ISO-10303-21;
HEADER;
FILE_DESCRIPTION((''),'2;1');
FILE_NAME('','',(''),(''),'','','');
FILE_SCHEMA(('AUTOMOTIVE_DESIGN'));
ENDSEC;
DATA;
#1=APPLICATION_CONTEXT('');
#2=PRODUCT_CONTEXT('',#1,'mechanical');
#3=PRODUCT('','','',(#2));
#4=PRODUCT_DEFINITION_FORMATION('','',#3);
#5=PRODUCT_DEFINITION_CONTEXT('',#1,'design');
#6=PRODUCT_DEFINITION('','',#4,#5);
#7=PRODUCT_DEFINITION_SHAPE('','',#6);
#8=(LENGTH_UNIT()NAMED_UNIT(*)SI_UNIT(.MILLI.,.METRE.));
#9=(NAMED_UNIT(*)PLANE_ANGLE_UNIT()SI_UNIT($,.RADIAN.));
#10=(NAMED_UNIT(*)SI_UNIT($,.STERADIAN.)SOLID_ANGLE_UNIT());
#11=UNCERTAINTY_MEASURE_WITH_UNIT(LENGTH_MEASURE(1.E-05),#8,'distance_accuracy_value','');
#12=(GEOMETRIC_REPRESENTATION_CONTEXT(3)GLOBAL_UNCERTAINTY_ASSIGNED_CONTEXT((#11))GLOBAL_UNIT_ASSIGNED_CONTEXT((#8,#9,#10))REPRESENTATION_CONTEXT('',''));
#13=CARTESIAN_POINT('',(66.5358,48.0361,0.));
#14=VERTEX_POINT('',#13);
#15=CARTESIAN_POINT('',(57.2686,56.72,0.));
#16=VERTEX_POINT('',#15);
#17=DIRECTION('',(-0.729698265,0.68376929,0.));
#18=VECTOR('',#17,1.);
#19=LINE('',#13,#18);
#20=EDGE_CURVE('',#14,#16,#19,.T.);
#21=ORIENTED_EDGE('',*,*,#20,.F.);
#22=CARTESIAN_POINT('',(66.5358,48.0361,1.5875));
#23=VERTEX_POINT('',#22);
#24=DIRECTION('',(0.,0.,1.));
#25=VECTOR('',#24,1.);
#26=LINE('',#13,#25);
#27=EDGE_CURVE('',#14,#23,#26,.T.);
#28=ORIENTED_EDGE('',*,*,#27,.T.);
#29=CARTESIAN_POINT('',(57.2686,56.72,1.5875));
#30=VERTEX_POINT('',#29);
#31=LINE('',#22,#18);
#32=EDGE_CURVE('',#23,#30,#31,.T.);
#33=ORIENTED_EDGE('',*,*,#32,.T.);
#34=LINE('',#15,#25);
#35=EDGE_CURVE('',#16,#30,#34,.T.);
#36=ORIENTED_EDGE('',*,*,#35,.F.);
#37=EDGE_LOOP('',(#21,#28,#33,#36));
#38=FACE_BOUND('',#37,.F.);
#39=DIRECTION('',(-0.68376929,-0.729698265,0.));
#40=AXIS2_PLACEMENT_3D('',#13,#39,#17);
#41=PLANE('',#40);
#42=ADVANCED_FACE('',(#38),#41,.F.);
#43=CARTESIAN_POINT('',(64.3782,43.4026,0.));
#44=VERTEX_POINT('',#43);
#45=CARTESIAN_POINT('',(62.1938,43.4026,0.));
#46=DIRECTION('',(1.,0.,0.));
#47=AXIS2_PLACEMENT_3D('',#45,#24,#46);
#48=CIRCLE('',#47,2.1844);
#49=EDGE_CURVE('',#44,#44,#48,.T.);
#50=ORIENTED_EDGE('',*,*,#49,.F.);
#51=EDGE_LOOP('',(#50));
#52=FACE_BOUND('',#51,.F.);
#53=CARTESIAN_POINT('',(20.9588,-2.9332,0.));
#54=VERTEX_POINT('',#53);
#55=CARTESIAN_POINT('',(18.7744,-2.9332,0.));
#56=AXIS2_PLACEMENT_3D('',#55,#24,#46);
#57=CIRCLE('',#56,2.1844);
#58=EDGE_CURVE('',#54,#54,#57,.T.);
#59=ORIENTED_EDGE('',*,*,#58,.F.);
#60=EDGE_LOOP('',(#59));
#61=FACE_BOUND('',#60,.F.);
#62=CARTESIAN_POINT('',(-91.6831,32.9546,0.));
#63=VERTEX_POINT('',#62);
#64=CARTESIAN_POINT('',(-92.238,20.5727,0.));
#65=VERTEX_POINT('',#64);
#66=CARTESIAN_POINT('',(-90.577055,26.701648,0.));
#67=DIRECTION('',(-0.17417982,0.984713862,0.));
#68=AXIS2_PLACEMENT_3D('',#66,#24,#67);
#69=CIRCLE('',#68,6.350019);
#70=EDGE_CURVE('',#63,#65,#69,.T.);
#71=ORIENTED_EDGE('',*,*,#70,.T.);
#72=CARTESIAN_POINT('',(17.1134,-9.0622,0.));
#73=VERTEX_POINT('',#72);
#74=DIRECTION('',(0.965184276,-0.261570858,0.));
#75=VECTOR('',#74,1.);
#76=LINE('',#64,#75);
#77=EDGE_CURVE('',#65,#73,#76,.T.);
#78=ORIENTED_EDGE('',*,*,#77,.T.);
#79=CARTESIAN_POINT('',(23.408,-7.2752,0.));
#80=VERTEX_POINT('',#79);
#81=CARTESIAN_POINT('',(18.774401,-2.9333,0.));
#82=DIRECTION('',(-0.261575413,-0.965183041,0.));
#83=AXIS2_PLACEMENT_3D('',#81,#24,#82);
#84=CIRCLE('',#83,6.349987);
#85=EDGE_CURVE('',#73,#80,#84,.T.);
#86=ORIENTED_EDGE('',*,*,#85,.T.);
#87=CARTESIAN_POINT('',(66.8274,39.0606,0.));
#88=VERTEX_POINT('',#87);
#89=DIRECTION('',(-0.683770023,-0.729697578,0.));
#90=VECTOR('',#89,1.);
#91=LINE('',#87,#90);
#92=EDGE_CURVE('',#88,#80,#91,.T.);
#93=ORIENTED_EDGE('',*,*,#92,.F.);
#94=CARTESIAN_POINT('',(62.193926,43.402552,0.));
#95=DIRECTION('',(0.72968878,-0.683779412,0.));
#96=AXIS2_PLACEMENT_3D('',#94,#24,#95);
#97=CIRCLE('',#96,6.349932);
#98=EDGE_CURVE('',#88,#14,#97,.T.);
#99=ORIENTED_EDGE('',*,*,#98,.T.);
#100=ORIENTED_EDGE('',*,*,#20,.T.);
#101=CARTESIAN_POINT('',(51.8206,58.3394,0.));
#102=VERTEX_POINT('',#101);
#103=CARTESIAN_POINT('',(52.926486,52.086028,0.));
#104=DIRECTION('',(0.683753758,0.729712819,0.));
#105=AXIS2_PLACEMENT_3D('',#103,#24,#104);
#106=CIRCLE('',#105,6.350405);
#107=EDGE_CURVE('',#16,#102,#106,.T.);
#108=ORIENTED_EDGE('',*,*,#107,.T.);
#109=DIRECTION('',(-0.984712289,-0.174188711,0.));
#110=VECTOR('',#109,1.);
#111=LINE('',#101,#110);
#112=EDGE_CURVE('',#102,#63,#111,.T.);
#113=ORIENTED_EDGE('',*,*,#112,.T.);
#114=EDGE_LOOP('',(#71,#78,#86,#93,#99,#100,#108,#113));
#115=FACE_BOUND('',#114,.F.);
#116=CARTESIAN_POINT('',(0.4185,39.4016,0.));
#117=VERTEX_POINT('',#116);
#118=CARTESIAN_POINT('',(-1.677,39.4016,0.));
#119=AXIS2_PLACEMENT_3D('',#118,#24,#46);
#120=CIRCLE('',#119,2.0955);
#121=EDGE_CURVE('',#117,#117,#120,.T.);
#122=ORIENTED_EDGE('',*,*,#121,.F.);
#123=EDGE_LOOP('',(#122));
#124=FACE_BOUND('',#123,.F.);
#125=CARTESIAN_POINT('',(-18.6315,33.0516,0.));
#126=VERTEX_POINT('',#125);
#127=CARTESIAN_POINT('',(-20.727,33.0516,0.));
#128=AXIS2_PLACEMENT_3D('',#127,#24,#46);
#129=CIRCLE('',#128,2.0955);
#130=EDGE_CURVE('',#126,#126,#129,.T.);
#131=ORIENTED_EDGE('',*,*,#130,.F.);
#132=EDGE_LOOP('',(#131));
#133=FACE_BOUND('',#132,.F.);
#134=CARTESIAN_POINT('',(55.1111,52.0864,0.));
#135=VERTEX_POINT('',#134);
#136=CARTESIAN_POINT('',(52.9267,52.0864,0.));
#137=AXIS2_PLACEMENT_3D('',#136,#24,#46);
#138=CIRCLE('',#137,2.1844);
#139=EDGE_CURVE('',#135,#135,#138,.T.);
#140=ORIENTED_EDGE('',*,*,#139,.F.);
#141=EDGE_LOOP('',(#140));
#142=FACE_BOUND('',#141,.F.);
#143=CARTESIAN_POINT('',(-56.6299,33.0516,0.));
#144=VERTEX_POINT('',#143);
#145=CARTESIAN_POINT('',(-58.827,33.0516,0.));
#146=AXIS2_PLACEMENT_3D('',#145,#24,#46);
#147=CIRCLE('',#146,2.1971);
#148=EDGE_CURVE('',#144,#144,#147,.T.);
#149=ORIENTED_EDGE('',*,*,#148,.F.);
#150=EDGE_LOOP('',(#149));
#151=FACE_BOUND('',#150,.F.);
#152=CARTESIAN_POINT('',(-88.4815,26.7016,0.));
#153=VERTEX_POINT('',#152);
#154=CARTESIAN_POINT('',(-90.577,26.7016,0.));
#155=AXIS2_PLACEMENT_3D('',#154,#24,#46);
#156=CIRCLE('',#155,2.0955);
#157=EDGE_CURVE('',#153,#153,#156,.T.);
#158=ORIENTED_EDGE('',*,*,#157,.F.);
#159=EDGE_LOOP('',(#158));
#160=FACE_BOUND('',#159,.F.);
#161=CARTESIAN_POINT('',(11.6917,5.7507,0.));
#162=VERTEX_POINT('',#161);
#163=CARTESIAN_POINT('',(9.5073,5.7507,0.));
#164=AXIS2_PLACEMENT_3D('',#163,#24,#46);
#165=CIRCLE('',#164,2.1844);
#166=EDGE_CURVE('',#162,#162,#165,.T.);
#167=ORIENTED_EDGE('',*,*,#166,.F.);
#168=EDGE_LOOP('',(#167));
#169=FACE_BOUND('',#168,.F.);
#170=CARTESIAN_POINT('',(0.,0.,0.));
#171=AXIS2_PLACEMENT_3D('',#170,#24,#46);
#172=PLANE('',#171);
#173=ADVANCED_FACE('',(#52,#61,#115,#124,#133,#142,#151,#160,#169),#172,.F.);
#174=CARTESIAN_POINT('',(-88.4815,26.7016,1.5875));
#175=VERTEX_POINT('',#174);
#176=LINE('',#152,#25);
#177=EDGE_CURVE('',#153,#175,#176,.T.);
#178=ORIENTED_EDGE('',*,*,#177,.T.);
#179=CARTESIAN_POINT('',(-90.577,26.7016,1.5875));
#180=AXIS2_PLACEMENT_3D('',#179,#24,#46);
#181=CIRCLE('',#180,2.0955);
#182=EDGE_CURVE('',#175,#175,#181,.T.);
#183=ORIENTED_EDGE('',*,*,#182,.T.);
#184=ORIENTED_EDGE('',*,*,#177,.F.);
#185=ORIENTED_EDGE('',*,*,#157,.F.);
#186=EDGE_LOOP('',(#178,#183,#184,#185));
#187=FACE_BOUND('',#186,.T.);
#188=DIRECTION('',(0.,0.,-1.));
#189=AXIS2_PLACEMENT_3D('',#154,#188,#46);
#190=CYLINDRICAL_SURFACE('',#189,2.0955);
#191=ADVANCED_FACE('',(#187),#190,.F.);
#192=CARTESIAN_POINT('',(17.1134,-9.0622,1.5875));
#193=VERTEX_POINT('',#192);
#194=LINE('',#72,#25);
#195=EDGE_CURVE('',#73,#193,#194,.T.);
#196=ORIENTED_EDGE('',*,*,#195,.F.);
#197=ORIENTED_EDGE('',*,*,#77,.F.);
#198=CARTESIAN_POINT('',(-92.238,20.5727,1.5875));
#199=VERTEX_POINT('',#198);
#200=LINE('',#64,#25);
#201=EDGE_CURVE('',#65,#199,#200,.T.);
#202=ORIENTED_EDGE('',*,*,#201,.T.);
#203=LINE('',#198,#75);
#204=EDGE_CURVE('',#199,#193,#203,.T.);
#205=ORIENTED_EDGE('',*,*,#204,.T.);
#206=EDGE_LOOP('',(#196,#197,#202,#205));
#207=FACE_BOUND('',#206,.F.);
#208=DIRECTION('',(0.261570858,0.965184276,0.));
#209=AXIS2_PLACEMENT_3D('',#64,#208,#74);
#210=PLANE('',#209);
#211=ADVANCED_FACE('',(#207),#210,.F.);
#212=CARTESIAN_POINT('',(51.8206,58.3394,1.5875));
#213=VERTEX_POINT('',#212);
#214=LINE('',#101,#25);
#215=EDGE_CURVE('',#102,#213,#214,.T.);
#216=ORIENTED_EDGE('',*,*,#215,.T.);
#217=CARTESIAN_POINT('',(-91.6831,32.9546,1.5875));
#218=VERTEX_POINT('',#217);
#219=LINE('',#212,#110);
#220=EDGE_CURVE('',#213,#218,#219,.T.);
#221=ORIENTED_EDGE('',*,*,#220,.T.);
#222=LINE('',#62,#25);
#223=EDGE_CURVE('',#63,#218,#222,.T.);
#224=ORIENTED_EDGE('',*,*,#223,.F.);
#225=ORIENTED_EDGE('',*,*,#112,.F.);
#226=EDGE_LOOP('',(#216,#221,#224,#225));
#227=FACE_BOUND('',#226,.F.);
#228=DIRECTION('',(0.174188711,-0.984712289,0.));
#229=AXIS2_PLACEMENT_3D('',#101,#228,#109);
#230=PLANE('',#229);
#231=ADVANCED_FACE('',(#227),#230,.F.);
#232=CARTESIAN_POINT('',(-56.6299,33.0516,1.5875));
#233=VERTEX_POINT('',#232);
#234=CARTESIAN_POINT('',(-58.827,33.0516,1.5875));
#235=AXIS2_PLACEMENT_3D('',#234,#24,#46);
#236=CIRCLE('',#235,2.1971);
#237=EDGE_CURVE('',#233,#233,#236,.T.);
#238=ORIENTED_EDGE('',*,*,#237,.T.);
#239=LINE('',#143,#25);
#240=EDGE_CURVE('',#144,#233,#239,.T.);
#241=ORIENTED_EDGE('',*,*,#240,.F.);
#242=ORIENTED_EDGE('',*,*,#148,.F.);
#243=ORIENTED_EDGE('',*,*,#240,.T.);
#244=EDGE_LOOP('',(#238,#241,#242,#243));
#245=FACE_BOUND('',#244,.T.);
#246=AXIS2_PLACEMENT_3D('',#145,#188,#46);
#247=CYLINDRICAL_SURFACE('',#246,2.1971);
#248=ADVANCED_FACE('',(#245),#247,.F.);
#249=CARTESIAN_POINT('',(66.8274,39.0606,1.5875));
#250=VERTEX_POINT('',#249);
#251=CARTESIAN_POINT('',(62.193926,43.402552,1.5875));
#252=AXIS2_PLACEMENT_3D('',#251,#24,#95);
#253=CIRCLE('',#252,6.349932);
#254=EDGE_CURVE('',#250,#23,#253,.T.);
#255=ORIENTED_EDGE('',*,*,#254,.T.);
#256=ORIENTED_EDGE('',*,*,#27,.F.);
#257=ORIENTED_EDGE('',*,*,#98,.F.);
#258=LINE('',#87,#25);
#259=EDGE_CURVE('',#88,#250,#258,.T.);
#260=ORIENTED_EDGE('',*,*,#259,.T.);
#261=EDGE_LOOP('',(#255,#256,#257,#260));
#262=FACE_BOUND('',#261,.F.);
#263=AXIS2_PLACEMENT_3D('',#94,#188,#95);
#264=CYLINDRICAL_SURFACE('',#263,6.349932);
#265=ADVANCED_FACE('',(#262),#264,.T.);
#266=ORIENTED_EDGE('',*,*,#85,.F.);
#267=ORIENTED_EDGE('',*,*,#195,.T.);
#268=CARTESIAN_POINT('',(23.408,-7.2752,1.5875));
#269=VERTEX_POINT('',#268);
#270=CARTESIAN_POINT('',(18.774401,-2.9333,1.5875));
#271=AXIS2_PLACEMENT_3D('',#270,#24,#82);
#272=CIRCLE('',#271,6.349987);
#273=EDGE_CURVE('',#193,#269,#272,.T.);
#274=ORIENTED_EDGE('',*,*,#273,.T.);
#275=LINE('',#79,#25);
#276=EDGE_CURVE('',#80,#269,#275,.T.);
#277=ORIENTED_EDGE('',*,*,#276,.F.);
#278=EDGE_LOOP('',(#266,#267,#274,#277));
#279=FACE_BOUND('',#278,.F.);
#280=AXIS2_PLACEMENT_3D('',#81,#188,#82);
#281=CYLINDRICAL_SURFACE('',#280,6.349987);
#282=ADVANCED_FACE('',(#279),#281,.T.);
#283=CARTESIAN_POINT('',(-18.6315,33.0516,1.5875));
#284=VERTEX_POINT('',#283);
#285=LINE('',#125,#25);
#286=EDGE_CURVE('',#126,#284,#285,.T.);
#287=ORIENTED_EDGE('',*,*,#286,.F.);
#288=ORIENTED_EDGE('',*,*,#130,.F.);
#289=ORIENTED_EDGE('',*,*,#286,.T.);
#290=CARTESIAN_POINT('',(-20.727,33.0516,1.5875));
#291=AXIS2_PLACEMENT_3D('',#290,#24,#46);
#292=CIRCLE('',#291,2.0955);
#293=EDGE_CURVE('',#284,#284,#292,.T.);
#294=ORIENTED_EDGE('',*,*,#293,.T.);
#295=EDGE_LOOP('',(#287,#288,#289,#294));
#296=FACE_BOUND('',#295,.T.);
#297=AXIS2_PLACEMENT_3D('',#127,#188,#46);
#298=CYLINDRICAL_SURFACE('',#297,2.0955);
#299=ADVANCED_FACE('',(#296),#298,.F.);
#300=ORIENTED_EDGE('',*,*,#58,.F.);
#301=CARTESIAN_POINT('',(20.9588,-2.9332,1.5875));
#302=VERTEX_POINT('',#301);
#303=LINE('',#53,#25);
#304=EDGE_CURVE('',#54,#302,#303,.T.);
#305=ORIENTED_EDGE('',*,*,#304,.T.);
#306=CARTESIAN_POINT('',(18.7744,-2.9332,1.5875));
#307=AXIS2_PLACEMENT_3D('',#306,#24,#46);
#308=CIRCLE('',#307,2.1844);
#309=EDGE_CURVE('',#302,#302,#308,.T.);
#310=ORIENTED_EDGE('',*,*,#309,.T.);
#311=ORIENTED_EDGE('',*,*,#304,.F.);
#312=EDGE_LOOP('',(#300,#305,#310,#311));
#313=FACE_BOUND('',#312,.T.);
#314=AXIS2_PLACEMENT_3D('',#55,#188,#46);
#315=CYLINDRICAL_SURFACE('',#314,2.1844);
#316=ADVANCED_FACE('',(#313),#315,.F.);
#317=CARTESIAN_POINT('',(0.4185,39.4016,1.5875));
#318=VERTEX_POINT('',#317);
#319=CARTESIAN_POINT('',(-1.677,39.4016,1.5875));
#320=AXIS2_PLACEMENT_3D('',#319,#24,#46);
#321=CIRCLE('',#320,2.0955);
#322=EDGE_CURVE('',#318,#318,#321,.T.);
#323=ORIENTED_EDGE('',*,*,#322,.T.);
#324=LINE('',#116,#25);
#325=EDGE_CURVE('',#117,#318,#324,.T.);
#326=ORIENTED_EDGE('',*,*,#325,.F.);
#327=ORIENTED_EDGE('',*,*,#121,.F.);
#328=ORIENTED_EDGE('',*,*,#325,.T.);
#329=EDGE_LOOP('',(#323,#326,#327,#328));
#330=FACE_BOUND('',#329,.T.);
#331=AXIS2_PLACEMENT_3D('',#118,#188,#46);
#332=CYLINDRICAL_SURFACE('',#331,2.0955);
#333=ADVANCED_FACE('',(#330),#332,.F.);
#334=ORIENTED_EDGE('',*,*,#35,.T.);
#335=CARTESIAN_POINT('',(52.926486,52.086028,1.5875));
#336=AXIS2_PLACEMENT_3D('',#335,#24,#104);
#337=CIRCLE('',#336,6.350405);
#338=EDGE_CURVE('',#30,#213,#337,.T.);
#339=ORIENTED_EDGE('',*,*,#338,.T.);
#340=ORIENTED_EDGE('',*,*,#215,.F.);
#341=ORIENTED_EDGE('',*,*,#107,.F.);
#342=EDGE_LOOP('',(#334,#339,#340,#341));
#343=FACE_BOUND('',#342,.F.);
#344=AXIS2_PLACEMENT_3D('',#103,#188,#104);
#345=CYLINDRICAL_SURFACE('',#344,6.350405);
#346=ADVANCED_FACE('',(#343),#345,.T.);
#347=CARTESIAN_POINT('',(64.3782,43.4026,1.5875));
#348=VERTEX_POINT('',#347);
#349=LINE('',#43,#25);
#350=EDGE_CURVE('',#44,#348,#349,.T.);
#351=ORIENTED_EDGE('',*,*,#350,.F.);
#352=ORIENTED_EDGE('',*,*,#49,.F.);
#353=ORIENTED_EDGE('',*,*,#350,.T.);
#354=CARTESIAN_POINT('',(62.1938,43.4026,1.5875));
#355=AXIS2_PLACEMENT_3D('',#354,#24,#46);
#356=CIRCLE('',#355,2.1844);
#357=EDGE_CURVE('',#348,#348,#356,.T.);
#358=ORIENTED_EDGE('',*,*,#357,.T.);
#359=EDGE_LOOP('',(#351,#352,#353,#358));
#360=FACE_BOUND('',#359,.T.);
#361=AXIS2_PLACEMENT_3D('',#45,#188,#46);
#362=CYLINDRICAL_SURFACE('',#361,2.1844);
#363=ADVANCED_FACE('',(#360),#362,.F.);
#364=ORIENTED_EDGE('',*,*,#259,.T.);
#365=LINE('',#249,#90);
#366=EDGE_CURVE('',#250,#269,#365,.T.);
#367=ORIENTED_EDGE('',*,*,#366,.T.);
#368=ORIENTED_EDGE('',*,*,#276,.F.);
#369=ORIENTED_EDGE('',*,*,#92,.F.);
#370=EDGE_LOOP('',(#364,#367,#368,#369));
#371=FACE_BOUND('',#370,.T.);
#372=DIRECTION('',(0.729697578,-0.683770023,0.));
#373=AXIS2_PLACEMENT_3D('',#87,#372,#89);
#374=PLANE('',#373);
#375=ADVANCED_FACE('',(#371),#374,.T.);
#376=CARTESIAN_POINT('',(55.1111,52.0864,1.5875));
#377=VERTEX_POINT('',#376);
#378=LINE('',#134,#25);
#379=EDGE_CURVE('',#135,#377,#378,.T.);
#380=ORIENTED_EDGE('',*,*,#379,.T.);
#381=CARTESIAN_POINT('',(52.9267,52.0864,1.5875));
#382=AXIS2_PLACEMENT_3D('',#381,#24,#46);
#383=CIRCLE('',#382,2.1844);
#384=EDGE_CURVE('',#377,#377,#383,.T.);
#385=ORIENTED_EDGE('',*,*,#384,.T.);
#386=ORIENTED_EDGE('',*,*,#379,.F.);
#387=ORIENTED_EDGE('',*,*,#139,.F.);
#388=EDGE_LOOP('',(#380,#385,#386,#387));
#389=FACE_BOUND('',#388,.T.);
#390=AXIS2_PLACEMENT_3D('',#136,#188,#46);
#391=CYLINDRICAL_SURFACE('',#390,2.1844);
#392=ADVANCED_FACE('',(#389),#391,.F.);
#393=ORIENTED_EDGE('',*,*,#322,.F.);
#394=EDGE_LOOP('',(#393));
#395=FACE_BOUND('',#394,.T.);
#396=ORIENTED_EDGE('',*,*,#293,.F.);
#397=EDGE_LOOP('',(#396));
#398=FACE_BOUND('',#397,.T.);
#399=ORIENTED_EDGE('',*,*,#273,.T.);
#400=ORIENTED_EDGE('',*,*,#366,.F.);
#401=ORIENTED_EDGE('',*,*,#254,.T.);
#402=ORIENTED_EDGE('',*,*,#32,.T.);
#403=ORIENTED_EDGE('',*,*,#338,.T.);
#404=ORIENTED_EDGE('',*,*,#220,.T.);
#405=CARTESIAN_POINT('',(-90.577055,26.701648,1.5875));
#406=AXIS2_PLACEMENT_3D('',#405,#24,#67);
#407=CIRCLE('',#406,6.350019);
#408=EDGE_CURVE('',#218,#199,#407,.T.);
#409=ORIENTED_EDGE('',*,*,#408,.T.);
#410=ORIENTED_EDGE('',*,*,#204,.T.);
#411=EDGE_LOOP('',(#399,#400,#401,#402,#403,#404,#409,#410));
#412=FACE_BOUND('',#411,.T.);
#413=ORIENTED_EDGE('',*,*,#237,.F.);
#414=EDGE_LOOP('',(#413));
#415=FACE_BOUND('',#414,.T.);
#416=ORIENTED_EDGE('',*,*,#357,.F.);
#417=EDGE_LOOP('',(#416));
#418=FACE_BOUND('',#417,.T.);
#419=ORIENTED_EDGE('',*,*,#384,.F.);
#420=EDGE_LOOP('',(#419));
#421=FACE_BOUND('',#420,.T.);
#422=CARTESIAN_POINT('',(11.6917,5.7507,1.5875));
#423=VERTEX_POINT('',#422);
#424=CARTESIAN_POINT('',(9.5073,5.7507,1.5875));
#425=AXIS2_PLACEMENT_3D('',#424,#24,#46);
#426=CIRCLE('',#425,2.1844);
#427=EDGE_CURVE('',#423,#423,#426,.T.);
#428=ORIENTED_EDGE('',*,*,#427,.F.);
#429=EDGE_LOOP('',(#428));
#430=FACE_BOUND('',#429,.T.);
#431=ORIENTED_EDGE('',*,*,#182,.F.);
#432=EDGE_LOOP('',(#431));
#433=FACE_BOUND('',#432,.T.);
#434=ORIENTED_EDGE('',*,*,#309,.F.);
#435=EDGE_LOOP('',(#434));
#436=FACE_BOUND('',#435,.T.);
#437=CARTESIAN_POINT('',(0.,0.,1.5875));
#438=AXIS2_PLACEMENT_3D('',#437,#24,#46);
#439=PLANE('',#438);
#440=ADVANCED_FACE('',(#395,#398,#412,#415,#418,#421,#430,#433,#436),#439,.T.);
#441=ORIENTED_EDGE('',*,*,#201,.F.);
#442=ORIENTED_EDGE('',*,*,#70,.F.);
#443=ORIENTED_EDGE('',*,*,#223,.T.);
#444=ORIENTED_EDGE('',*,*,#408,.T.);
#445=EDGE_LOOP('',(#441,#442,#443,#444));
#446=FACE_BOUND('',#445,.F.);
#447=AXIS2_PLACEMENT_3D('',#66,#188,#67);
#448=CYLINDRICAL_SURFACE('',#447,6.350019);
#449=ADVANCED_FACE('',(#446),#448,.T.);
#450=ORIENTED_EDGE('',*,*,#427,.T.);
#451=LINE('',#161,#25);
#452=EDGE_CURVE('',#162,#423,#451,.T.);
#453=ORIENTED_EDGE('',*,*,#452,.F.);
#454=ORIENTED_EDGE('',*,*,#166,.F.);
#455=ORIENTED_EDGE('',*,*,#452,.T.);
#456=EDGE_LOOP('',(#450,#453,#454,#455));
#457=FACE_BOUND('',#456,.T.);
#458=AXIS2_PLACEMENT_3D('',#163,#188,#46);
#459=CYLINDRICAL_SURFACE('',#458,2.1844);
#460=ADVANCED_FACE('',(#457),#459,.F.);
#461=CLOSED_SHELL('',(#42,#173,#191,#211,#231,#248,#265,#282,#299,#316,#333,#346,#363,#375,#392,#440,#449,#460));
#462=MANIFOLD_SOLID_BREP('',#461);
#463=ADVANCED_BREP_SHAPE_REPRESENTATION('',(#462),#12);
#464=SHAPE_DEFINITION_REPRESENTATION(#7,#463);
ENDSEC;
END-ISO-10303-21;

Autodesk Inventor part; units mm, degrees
ref_plane "YZ Plane" through (0, 0, 0) normal (1, 0, 0) x (0, 1, 0)
ref_plane "XZ Plane" through (0, 0, 0) normal (0, 1, 0) x (-1, 0, 0)
ref_plane "XY Plane" through (0, 0, 0) normal (0, 0, 1) x (1, 0, 0)
sketch "Sketch2" plane through (0, 0, 0) normal (0, 0, 1) x (1, 0, 0)
  circle A0 centre (-58.827, 33.0516) radius 2.1971
  circle A1 centre (-20.727, 33.0516) radius 2.0955
  circle A2 centre (62.1938, 43.4026) radius 2.1844
  circle A3 centre (52.9267, 52.0864) radius 2.1844
  circle A4 centre (18.7744, -2.9332) radius 2.1844
  circle A5 centre (9.5073, 5.7507) radius 2.1844
  circle A6 centre (-90.577, 26.7016) radius 2.0955
  circle A7 centre (-1.677, 39.4016) radius 2.0955
  arc A8 (-91.6831, 32.9546) -> (-92.238, 20.5727) centre (-90.577, 26.7016) ccw
  arc A9 (57.2686, 56.72) -> (51.8206, 58.3394) centre (52.9267, 52.0864) ccw
  arc A10 (66.8274, 39.0606) -> (66.5358, 48.0361) centre (62.1938, 43.4026) ccw
  arc A11 (17.1134, -9.0622) -> (23.408, -7.2752) centre (18.7744, -2.9332) ccw
  line L0 (-92.238, 20.5727) -> (17.1134, -9.0622)
  line L1 (66.8274, 39.0606) -> (23.408, -7.2752)
  line L2 (66.5358, 48.0361) -> (57.2686, 56.72)
  line L3 (51.8206, 58.3394) -> (-91.6831, 32.9546)
  dimension "d17" = 4.191
  dimension "d18" = 4.191
  dimension "d19" = 12.7
  dimension "d20" = 12.7
  dimension "d21" = 12.7
  dimension "d22" = 12.7
extrude "Extrusion2" add sketch "Sketch2" along normal blind 1.5875
properties part number "1-Gearbox"
